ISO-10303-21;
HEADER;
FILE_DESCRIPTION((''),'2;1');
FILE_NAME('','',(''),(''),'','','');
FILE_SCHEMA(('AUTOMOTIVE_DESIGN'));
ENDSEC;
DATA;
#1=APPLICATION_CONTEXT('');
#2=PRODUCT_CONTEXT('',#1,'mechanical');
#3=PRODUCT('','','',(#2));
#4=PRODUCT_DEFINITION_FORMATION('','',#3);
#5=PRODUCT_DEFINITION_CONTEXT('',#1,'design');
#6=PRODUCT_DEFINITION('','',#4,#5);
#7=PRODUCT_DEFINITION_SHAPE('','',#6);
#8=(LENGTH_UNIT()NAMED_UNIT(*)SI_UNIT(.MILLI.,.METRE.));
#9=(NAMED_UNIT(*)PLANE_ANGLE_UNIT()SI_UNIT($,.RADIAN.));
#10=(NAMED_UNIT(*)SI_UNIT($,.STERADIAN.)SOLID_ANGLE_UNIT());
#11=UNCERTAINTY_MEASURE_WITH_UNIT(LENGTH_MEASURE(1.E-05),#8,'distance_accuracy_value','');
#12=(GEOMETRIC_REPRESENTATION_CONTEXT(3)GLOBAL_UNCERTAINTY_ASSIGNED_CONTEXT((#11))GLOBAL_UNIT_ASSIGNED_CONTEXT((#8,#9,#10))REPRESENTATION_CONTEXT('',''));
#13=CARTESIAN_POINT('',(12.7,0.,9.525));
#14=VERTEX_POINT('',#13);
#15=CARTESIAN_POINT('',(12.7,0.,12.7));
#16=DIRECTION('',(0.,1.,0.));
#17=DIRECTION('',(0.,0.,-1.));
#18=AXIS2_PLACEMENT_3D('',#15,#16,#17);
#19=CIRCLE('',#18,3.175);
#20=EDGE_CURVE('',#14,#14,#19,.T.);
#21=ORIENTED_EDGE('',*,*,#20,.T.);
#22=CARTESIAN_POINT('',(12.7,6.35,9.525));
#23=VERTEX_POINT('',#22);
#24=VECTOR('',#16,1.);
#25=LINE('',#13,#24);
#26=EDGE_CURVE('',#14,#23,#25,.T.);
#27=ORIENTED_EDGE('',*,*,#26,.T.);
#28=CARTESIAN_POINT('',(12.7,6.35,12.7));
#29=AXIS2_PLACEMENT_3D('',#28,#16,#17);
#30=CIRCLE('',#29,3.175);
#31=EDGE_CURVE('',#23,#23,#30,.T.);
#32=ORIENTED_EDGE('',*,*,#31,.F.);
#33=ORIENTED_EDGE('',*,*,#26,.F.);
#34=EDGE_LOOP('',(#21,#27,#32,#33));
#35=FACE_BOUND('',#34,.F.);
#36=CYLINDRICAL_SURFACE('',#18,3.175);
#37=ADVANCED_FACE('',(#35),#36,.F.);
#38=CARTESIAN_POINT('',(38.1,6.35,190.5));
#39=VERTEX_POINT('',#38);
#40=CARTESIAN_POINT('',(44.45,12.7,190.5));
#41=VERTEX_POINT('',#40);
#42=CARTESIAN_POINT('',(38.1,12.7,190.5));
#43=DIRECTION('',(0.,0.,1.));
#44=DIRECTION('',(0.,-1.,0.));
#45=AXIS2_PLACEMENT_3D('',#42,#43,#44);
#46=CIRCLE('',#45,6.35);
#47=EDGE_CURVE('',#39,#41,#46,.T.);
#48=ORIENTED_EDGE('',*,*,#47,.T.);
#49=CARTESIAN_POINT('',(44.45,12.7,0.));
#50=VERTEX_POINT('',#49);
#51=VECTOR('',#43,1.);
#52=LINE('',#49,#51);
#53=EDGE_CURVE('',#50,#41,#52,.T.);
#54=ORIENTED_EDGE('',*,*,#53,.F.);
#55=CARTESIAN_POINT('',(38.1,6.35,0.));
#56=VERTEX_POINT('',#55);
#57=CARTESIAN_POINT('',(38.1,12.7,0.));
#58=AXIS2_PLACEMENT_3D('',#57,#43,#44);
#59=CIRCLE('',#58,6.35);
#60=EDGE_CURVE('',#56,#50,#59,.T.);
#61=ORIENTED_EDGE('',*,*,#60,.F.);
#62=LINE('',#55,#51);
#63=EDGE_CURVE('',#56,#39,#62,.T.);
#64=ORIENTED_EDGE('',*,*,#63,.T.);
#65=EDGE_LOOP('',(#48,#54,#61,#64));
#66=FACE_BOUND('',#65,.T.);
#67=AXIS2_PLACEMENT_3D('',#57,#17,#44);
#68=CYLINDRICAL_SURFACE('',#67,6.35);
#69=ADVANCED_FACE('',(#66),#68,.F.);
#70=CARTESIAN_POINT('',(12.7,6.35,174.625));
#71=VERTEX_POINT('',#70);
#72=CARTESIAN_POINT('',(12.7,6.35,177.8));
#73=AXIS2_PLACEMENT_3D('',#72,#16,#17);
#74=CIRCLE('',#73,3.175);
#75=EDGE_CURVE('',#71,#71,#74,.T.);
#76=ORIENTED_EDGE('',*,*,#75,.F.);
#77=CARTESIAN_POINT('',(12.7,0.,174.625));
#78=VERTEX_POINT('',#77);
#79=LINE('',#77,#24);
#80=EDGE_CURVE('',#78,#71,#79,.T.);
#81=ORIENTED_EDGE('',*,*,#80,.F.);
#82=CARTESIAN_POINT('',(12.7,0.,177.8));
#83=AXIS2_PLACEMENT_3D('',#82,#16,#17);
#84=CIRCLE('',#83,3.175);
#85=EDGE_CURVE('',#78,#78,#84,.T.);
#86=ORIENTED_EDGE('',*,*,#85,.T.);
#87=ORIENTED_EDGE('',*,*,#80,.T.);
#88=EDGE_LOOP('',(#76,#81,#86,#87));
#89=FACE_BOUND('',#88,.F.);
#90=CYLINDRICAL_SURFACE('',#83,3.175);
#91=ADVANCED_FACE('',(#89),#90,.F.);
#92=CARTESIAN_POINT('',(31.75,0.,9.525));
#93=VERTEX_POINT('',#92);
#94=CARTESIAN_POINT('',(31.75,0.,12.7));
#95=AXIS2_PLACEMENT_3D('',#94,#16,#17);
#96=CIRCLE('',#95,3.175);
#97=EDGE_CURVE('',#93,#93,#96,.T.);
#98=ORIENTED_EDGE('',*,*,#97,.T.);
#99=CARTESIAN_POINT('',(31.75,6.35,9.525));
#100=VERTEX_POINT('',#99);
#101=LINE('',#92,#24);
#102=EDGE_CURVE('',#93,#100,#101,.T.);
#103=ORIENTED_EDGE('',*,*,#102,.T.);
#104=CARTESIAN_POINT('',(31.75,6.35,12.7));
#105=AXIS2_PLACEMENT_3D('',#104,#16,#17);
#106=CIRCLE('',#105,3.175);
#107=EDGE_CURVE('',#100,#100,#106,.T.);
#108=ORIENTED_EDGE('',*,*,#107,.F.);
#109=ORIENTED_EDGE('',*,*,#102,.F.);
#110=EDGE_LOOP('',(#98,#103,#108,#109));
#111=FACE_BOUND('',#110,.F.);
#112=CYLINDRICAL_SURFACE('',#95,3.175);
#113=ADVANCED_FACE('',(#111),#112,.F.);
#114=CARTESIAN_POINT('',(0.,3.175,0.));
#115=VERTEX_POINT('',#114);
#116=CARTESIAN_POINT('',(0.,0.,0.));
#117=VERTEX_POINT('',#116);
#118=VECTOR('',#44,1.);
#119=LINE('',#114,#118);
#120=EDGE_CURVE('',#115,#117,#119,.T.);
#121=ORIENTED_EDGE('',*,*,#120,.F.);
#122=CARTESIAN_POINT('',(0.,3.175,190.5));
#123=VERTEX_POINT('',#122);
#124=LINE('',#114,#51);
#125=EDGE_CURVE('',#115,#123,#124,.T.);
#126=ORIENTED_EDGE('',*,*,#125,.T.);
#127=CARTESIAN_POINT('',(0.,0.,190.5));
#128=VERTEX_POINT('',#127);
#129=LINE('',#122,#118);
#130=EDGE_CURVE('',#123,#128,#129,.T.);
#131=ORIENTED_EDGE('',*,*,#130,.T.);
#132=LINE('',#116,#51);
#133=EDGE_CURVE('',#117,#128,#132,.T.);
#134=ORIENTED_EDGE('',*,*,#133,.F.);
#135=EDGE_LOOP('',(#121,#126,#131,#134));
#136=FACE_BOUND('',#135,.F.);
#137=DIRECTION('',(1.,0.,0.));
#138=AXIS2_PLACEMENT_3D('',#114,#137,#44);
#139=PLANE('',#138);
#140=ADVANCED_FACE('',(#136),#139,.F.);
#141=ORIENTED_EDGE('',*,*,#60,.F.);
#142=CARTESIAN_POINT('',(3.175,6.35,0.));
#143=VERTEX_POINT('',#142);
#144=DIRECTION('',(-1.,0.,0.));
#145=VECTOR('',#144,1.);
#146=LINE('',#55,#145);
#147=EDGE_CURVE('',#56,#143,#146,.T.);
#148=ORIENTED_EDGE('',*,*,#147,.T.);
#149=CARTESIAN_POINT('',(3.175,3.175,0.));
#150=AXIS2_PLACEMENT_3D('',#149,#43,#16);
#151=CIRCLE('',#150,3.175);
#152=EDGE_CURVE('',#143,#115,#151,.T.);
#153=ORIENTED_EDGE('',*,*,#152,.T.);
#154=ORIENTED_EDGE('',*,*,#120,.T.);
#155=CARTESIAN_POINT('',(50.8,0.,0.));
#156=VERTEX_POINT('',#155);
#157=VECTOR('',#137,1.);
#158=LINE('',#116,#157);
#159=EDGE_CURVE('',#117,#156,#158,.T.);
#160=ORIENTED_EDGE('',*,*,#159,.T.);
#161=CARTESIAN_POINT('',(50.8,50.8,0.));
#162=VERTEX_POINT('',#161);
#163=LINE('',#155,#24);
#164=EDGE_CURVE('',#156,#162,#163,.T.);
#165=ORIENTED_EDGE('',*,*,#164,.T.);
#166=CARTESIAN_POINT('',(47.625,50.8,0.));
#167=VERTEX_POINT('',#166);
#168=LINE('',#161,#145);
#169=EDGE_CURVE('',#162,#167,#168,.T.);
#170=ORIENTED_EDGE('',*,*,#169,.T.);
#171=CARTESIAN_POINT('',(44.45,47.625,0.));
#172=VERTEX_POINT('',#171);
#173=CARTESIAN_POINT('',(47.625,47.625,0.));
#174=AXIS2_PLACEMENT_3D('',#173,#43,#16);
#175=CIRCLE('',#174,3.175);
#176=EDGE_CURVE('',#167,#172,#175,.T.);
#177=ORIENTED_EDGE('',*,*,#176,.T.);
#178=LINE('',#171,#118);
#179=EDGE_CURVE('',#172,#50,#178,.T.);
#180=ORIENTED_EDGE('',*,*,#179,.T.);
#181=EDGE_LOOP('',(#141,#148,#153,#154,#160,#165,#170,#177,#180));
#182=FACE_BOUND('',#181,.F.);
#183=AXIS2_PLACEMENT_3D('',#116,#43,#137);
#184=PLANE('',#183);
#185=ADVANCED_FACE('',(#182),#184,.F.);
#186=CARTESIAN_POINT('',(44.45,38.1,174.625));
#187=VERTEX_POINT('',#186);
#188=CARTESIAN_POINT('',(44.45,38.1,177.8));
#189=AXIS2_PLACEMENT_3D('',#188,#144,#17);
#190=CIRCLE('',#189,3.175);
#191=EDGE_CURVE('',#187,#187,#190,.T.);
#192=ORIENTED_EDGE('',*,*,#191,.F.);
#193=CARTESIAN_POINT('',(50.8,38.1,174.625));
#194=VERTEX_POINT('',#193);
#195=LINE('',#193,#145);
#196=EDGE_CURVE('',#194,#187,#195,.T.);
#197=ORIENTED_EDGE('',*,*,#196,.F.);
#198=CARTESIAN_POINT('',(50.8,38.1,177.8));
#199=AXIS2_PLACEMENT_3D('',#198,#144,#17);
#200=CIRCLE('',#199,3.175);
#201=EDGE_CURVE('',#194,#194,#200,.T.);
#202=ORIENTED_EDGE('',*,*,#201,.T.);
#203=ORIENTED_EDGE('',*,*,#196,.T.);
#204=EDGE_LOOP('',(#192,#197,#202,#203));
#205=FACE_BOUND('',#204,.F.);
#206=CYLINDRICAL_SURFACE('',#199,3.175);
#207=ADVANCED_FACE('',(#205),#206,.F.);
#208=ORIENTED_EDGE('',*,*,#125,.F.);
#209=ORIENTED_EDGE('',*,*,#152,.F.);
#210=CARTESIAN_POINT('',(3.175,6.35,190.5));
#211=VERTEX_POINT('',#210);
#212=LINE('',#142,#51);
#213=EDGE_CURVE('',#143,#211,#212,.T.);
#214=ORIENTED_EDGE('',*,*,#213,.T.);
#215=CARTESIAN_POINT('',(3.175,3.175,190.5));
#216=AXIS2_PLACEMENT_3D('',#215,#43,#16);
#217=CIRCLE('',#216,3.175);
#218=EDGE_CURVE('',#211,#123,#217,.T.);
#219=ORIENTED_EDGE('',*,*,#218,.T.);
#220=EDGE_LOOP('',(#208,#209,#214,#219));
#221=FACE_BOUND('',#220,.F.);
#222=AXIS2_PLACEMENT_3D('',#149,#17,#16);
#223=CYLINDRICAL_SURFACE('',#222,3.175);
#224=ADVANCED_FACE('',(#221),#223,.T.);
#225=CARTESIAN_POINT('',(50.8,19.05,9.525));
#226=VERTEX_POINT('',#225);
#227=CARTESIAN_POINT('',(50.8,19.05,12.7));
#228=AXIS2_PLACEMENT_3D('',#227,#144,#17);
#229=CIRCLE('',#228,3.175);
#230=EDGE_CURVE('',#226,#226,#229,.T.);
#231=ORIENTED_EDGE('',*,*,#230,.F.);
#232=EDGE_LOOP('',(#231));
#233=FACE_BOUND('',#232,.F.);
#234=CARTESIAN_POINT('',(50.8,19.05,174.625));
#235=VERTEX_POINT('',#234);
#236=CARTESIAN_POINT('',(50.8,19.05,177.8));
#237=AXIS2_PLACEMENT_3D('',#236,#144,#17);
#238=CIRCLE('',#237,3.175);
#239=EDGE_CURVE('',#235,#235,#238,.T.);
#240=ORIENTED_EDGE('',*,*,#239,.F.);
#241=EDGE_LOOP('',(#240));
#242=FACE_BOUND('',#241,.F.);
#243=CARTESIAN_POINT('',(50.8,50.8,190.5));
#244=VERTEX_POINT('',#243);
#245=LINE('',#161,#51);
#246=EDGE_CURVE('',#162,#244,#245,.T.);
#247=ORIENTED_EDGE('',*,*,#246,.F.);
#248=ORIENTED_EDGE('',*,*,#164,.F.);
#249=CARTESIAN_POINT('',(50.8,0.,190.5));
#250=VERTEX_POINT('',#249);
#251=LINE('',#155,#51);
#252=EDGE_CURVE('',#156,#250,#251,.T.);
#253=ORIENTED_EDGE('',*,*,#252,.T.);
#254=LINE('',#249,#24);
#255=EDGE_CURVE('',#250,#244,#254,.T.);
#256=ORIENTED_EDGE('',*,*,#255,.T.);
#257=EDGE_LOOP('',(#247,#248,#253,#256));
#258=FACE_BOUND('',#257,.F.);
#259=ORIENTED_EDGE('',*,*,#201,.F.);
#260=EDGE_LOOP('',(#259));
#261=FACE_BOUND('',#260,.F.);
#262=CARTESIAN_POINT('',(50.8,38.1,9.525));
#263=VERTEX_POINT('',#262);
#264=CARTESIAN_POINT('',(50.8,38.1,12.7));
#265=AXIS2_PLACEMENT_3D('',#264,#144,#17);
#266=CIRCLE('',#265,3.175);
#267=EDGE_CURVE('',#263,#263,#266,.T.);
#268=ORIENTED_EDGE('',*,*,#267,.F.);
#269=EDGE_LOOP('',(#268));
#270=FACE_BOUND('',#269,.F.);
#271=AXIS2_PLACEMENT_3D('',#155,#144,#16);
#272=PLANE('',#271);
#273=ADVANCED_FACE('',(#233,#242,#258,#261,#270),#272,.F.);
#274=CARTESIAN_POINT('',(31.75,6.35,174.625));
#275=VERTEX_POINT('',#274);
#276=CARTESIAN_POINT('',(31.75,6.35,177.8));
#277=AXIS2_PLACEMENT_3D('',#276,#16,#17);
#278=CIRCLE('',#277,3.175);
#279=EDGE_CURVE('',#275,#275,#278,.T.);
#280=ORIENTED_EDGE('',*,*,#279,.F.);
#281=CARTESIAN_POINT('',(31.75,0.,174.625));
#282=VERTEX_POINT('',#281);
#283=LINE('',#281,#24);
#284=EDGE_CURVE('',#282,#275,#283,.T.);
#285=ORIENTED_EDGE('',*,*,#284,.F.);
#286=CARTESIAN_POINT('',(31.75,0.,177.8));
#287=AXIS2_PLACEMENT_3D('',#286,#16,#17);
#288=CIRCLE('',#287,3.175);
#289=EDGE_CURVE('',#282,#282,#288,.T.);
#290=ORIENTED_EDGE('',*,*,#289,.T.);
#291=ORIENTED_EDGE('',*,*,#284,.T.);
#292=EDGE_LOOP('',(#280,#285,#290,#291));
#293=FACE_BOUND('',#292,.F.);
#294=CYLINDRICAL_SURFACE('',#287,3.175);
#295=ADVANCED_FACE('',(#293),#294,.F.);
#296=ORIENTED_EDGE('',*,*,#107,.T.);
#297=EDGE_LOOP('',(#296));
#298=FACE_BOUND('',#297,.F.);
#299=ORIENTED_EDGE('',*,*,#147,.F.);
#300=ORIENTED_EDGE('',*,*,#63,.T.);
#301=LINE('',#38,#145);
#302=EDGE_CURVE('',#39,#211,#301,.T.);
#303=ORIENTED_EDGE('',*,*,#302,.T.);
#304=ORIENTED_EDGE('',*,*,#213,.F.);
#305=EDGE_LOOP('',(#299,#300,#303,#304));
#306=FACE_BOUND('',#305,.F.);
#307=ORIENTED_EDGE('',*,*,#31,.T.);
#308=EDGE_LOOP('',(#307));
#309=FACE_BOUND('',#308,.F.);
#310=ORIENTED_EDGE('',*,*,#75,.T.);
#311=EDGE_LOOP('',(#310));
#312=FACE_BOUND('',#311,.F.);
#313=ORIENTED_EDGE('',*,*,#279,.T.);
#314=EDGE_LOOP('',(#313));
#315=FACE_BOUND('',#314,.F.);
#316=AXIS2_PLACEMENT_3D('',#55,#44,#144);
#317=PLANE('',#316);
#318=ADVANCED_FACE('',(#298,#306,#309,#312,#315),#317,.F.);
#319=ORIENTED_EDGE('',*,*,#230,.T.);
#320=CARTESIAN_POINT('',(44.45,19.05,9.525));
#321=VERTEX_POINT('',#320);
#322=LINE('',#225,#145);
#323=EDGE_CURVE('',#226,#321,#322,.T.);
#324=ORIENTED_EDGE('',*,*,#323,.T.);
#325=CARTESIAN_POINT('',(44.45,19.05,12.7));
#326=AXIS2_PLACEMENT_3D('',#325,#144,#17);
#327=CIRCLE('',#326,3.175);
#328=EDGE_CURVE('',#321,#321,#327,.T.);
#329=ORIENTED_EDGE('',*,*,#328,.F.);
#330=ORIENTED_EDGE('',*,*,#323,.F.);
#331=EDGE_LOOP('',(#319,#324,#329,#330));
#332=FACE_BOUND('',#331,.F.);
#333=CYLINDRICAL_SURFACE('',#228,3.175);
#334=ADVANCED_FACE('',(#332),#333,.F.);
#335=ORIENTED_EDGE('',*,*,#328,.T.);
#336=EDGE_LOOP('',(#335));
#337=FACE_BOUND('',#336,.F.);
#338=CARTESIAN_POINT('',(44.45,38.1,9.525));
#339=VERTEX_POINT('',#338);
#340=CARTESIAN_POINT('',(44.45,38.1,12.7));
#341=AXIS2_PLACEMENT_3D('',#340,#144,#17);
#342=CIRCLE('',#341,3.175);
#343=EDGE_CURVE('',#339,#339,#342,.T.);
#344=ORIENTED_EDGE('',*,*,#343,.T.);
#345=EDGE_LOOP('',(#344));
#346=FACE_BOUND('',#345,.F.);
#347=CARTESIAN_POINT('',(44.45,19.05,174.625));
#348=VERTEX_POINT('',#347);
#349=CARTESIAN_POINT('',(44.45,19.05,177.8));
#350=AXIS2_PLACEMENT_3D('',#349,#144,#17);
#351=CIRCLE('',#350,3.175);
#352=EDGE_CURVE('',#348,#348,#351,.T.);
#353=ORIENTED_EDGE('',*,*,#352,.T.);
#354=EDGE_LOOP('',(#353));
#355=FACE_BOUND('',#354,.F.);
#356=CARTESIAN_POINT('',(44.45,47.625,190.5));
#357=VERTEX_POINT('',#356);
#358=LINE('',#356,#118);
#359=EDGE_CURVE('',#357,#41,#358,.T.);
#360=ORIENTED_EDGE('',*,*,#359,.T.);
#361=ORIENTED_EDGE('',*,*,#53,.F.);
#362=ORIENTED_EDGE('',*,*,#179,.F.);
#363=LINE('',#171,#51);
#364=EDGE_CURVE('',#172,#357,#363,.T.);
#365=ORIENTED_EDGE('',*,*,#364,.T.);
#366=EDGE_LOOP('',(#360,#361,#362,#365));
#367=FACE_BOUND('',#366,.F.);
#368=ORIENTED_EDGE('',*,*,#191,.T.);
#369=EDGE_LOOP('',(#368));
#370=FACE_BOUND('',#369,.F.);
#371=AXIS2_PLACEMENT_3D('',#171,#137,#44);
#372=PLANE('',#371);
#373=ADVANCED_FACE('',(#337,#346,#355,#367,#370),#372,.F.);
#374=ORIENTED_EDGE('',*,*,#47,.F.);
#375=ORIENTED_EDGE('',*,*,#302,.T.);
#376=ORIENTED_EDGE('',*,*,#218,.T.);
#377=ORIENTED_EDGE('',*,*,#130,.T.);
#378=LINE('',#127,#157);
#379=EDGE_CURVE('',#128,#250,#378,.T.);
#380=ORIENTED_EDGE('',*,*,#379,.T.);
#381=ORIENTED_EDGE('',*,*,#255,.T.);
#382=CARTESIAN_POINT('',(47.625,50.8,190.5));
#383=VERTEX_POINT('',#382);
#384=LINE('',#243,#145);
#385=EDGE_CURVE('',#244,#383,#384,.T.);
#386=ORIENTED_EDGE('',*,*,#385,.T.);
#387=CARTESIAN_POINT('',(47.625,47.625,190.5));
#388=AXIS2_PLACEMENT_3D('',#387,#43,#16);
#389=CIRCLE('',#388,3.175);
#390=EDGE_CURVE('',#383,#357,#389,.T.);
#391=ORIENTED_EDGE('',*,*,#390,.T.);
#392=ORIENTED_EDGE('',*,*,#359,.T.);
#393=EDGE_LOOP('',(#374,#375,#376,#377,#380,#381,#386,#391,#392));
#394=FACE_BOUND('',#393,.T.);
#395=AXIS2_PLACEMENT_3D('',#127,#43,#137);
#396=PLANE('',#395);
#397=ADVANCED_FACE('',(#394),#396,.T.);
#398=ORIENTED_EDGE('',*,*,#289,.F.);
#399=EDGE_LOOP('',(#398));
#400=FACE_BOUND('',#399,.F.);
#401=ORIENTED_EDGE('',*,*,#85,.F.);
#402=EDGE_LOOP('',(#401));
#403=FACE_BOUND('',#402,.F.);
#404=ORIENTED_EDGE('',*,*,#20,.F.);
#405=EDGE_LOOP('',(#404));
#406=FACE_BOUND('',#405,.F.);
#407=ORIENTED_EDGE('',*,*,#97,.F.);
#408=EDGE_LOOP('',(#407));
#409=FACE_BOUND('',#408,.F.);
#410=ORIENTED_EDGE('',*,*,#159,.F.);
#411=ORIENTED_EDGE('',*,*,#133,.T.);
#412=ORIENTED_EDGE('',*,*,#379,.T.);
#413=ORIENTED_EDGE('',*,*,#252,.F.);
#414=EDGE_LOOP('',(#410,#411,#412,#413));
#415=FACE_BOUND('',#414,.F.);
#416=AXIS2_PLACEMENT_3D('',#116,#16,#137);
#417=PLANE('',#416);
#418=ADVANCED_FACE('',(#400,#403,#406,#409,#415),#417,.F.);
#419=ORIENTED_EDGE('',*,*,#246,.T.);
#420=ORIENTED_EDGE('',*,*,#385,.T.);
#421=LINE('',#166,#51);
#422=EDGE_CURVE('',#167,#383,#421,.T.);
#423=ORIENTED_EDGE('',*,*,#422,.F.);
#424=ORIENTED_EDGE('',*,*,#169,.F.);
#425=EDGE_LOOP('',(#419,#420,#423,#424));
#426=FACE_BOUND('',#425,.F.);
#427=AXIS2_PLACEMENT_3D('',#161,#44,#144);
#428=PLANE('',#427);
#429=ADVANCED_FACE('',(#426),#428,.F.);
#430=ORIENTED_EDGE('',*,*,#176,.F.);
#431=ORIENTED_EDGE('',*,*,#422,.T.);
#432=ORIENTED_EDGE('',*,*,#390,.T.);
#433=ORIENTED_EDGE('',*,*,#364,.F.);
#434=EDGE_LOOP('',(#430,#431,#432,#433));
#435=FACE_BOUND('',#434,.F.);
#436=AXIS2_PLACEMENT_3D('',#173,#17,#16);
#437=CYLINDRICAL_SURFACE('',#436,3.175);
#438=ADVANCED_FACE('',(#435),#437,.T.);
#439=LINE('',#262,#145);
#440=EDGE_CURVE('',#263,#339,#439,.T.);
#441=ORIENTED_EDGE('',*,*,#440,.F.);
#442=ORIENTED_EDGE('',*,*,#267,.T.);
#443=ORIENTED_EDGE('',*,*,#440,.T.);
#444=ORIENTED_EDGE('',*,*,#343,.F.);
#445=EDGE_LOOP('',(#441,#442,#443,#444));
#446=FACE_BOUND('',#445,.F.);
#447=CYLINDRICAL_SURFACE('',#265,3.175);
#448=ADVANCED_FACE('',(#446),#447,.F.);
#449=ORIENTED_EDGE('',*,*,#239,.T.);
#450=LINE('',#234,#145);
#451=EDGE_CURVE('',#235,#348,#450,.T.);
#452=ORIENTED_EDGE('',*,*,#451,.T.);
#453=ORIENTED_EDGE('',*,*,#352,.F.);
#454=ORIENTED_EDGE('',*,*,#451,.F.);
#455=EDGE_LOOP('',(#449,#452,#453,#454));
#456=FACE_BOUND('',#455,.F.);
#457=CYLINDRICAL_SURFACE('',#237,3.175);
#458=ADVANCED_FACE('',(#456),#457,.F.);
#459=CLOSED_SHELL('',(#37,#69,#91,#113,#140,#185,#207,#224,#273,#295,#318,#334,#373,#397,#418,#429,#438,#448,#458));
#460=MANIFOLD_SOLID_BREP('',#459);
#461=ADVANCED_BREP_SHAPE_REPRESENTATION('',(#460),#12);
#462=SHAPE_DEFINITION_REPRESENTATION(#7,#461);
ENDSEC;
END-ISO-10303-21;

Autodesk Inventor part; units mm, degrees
ref_plane "YZ Plane" through (0, 0, 0) normal (1, 0, 0) x (0, 1, 0)
ref_plane "XZ Plane" through (0, 0, 0) normal (0, 1, 0) x (-1, 0, 0)
ref_plane "XY Plane" through (0, 0, 0) normal (0, 0, 1) x (1, 0, 0)
sketch "Sketch1" plane through (0, 0, 0) normal (0, 0, 1) x (1, 0, 0)
  line L0 (0, 0) -> (50.8, 0)
  line L1 (50.8, 0) -> (50.8, 50.8)
  line L2 (50.8, 50.8) -> (47.625, 50.8)
  line L3 (44.45, 47.625) -> (44.45, 12.7)
  line L4 (38.1, 6.35) -> (3.175, 6.35)
  line L5 (0, 3.175) -> (0, 0)
  arc A0 (3.175, 6.35) -> (0, 3.175) centre (3.175, 3.175) ccw
  arc A1 (47.625, 50.8) -> (44.45, 47.625) centre (47.625, 47.625) ccw
  arc A2 (38.1, 6.35) -> (44.45, 12.7) centre (38.1, 12.7) ccw
  dimension "d0" = 50.8
  dimension "d1" = 6.35
  dimension "d2" = 3.175
  dimension "d3" = 6.35
extrude "Extrusion1" add sketch "Sketch1" along normal blind 190.5
sketch "Sketch2" plane through (0, 0, 0) normal (0, -1, 0) x (1, 0, 0)
  line L0 (0, 0) -> (50.8, 0) projected
  line L1 (0, 190.5) -> (50.8, 190.5) projected
  line L2 (0, 0) -> (0, 190.5) projected
  point P0 (12.7, 177.8)
  point P1 (31.75, 177.8)
  point P2 (12.7, 12.7)
  point P3 (31.75, 12.7)
  dimension "d6" = 19.05
  dimension "d7" = 12.7
  dimension "d8" = 12.7
  dimension "d9" = 12.7
hole "Hole1" at (12.7, 0, 177.8) at (31.75, 0, 177.8) at (12.7, 0, 12.7) at (31.75, 0, 12.7) direction (0, 1, 0) diameter 6.35 end through all
sketch "Sketch3" plane through (50.8, 0, 0) normal (1, 0, 0) x (0, 0, -1)
  line L0 (0, 0) -> (0, 50.8) projected
  line L1 (0, 50.8) -> (-190.5, 50.8) projected
  line L2 (-190.5, 0) -> (-190.5, 50.8) projected
  point P0 (-177.8, 19.05)
  point P1 (-177.8, 38.1)
  point P2 (-12.7, 19.05)
  point P3 (-12.7, 38.1)
  dimension "d17" = 19.05
  dimension "d18" = 12.7
  dimension "d19" = 12.7
  dimension "d20" = 12.7
hole "Hole2" at (50.8, 19.05, 177.8) at (50.8, 38.1, 177.8) at (50.8, 19.05, 12.7) at (50.8, 38.1, 12.7) direction (-1, 0, 0) diameter 6.35 end through all
properties part number "Right Angle" material "Aluminum 6061"
